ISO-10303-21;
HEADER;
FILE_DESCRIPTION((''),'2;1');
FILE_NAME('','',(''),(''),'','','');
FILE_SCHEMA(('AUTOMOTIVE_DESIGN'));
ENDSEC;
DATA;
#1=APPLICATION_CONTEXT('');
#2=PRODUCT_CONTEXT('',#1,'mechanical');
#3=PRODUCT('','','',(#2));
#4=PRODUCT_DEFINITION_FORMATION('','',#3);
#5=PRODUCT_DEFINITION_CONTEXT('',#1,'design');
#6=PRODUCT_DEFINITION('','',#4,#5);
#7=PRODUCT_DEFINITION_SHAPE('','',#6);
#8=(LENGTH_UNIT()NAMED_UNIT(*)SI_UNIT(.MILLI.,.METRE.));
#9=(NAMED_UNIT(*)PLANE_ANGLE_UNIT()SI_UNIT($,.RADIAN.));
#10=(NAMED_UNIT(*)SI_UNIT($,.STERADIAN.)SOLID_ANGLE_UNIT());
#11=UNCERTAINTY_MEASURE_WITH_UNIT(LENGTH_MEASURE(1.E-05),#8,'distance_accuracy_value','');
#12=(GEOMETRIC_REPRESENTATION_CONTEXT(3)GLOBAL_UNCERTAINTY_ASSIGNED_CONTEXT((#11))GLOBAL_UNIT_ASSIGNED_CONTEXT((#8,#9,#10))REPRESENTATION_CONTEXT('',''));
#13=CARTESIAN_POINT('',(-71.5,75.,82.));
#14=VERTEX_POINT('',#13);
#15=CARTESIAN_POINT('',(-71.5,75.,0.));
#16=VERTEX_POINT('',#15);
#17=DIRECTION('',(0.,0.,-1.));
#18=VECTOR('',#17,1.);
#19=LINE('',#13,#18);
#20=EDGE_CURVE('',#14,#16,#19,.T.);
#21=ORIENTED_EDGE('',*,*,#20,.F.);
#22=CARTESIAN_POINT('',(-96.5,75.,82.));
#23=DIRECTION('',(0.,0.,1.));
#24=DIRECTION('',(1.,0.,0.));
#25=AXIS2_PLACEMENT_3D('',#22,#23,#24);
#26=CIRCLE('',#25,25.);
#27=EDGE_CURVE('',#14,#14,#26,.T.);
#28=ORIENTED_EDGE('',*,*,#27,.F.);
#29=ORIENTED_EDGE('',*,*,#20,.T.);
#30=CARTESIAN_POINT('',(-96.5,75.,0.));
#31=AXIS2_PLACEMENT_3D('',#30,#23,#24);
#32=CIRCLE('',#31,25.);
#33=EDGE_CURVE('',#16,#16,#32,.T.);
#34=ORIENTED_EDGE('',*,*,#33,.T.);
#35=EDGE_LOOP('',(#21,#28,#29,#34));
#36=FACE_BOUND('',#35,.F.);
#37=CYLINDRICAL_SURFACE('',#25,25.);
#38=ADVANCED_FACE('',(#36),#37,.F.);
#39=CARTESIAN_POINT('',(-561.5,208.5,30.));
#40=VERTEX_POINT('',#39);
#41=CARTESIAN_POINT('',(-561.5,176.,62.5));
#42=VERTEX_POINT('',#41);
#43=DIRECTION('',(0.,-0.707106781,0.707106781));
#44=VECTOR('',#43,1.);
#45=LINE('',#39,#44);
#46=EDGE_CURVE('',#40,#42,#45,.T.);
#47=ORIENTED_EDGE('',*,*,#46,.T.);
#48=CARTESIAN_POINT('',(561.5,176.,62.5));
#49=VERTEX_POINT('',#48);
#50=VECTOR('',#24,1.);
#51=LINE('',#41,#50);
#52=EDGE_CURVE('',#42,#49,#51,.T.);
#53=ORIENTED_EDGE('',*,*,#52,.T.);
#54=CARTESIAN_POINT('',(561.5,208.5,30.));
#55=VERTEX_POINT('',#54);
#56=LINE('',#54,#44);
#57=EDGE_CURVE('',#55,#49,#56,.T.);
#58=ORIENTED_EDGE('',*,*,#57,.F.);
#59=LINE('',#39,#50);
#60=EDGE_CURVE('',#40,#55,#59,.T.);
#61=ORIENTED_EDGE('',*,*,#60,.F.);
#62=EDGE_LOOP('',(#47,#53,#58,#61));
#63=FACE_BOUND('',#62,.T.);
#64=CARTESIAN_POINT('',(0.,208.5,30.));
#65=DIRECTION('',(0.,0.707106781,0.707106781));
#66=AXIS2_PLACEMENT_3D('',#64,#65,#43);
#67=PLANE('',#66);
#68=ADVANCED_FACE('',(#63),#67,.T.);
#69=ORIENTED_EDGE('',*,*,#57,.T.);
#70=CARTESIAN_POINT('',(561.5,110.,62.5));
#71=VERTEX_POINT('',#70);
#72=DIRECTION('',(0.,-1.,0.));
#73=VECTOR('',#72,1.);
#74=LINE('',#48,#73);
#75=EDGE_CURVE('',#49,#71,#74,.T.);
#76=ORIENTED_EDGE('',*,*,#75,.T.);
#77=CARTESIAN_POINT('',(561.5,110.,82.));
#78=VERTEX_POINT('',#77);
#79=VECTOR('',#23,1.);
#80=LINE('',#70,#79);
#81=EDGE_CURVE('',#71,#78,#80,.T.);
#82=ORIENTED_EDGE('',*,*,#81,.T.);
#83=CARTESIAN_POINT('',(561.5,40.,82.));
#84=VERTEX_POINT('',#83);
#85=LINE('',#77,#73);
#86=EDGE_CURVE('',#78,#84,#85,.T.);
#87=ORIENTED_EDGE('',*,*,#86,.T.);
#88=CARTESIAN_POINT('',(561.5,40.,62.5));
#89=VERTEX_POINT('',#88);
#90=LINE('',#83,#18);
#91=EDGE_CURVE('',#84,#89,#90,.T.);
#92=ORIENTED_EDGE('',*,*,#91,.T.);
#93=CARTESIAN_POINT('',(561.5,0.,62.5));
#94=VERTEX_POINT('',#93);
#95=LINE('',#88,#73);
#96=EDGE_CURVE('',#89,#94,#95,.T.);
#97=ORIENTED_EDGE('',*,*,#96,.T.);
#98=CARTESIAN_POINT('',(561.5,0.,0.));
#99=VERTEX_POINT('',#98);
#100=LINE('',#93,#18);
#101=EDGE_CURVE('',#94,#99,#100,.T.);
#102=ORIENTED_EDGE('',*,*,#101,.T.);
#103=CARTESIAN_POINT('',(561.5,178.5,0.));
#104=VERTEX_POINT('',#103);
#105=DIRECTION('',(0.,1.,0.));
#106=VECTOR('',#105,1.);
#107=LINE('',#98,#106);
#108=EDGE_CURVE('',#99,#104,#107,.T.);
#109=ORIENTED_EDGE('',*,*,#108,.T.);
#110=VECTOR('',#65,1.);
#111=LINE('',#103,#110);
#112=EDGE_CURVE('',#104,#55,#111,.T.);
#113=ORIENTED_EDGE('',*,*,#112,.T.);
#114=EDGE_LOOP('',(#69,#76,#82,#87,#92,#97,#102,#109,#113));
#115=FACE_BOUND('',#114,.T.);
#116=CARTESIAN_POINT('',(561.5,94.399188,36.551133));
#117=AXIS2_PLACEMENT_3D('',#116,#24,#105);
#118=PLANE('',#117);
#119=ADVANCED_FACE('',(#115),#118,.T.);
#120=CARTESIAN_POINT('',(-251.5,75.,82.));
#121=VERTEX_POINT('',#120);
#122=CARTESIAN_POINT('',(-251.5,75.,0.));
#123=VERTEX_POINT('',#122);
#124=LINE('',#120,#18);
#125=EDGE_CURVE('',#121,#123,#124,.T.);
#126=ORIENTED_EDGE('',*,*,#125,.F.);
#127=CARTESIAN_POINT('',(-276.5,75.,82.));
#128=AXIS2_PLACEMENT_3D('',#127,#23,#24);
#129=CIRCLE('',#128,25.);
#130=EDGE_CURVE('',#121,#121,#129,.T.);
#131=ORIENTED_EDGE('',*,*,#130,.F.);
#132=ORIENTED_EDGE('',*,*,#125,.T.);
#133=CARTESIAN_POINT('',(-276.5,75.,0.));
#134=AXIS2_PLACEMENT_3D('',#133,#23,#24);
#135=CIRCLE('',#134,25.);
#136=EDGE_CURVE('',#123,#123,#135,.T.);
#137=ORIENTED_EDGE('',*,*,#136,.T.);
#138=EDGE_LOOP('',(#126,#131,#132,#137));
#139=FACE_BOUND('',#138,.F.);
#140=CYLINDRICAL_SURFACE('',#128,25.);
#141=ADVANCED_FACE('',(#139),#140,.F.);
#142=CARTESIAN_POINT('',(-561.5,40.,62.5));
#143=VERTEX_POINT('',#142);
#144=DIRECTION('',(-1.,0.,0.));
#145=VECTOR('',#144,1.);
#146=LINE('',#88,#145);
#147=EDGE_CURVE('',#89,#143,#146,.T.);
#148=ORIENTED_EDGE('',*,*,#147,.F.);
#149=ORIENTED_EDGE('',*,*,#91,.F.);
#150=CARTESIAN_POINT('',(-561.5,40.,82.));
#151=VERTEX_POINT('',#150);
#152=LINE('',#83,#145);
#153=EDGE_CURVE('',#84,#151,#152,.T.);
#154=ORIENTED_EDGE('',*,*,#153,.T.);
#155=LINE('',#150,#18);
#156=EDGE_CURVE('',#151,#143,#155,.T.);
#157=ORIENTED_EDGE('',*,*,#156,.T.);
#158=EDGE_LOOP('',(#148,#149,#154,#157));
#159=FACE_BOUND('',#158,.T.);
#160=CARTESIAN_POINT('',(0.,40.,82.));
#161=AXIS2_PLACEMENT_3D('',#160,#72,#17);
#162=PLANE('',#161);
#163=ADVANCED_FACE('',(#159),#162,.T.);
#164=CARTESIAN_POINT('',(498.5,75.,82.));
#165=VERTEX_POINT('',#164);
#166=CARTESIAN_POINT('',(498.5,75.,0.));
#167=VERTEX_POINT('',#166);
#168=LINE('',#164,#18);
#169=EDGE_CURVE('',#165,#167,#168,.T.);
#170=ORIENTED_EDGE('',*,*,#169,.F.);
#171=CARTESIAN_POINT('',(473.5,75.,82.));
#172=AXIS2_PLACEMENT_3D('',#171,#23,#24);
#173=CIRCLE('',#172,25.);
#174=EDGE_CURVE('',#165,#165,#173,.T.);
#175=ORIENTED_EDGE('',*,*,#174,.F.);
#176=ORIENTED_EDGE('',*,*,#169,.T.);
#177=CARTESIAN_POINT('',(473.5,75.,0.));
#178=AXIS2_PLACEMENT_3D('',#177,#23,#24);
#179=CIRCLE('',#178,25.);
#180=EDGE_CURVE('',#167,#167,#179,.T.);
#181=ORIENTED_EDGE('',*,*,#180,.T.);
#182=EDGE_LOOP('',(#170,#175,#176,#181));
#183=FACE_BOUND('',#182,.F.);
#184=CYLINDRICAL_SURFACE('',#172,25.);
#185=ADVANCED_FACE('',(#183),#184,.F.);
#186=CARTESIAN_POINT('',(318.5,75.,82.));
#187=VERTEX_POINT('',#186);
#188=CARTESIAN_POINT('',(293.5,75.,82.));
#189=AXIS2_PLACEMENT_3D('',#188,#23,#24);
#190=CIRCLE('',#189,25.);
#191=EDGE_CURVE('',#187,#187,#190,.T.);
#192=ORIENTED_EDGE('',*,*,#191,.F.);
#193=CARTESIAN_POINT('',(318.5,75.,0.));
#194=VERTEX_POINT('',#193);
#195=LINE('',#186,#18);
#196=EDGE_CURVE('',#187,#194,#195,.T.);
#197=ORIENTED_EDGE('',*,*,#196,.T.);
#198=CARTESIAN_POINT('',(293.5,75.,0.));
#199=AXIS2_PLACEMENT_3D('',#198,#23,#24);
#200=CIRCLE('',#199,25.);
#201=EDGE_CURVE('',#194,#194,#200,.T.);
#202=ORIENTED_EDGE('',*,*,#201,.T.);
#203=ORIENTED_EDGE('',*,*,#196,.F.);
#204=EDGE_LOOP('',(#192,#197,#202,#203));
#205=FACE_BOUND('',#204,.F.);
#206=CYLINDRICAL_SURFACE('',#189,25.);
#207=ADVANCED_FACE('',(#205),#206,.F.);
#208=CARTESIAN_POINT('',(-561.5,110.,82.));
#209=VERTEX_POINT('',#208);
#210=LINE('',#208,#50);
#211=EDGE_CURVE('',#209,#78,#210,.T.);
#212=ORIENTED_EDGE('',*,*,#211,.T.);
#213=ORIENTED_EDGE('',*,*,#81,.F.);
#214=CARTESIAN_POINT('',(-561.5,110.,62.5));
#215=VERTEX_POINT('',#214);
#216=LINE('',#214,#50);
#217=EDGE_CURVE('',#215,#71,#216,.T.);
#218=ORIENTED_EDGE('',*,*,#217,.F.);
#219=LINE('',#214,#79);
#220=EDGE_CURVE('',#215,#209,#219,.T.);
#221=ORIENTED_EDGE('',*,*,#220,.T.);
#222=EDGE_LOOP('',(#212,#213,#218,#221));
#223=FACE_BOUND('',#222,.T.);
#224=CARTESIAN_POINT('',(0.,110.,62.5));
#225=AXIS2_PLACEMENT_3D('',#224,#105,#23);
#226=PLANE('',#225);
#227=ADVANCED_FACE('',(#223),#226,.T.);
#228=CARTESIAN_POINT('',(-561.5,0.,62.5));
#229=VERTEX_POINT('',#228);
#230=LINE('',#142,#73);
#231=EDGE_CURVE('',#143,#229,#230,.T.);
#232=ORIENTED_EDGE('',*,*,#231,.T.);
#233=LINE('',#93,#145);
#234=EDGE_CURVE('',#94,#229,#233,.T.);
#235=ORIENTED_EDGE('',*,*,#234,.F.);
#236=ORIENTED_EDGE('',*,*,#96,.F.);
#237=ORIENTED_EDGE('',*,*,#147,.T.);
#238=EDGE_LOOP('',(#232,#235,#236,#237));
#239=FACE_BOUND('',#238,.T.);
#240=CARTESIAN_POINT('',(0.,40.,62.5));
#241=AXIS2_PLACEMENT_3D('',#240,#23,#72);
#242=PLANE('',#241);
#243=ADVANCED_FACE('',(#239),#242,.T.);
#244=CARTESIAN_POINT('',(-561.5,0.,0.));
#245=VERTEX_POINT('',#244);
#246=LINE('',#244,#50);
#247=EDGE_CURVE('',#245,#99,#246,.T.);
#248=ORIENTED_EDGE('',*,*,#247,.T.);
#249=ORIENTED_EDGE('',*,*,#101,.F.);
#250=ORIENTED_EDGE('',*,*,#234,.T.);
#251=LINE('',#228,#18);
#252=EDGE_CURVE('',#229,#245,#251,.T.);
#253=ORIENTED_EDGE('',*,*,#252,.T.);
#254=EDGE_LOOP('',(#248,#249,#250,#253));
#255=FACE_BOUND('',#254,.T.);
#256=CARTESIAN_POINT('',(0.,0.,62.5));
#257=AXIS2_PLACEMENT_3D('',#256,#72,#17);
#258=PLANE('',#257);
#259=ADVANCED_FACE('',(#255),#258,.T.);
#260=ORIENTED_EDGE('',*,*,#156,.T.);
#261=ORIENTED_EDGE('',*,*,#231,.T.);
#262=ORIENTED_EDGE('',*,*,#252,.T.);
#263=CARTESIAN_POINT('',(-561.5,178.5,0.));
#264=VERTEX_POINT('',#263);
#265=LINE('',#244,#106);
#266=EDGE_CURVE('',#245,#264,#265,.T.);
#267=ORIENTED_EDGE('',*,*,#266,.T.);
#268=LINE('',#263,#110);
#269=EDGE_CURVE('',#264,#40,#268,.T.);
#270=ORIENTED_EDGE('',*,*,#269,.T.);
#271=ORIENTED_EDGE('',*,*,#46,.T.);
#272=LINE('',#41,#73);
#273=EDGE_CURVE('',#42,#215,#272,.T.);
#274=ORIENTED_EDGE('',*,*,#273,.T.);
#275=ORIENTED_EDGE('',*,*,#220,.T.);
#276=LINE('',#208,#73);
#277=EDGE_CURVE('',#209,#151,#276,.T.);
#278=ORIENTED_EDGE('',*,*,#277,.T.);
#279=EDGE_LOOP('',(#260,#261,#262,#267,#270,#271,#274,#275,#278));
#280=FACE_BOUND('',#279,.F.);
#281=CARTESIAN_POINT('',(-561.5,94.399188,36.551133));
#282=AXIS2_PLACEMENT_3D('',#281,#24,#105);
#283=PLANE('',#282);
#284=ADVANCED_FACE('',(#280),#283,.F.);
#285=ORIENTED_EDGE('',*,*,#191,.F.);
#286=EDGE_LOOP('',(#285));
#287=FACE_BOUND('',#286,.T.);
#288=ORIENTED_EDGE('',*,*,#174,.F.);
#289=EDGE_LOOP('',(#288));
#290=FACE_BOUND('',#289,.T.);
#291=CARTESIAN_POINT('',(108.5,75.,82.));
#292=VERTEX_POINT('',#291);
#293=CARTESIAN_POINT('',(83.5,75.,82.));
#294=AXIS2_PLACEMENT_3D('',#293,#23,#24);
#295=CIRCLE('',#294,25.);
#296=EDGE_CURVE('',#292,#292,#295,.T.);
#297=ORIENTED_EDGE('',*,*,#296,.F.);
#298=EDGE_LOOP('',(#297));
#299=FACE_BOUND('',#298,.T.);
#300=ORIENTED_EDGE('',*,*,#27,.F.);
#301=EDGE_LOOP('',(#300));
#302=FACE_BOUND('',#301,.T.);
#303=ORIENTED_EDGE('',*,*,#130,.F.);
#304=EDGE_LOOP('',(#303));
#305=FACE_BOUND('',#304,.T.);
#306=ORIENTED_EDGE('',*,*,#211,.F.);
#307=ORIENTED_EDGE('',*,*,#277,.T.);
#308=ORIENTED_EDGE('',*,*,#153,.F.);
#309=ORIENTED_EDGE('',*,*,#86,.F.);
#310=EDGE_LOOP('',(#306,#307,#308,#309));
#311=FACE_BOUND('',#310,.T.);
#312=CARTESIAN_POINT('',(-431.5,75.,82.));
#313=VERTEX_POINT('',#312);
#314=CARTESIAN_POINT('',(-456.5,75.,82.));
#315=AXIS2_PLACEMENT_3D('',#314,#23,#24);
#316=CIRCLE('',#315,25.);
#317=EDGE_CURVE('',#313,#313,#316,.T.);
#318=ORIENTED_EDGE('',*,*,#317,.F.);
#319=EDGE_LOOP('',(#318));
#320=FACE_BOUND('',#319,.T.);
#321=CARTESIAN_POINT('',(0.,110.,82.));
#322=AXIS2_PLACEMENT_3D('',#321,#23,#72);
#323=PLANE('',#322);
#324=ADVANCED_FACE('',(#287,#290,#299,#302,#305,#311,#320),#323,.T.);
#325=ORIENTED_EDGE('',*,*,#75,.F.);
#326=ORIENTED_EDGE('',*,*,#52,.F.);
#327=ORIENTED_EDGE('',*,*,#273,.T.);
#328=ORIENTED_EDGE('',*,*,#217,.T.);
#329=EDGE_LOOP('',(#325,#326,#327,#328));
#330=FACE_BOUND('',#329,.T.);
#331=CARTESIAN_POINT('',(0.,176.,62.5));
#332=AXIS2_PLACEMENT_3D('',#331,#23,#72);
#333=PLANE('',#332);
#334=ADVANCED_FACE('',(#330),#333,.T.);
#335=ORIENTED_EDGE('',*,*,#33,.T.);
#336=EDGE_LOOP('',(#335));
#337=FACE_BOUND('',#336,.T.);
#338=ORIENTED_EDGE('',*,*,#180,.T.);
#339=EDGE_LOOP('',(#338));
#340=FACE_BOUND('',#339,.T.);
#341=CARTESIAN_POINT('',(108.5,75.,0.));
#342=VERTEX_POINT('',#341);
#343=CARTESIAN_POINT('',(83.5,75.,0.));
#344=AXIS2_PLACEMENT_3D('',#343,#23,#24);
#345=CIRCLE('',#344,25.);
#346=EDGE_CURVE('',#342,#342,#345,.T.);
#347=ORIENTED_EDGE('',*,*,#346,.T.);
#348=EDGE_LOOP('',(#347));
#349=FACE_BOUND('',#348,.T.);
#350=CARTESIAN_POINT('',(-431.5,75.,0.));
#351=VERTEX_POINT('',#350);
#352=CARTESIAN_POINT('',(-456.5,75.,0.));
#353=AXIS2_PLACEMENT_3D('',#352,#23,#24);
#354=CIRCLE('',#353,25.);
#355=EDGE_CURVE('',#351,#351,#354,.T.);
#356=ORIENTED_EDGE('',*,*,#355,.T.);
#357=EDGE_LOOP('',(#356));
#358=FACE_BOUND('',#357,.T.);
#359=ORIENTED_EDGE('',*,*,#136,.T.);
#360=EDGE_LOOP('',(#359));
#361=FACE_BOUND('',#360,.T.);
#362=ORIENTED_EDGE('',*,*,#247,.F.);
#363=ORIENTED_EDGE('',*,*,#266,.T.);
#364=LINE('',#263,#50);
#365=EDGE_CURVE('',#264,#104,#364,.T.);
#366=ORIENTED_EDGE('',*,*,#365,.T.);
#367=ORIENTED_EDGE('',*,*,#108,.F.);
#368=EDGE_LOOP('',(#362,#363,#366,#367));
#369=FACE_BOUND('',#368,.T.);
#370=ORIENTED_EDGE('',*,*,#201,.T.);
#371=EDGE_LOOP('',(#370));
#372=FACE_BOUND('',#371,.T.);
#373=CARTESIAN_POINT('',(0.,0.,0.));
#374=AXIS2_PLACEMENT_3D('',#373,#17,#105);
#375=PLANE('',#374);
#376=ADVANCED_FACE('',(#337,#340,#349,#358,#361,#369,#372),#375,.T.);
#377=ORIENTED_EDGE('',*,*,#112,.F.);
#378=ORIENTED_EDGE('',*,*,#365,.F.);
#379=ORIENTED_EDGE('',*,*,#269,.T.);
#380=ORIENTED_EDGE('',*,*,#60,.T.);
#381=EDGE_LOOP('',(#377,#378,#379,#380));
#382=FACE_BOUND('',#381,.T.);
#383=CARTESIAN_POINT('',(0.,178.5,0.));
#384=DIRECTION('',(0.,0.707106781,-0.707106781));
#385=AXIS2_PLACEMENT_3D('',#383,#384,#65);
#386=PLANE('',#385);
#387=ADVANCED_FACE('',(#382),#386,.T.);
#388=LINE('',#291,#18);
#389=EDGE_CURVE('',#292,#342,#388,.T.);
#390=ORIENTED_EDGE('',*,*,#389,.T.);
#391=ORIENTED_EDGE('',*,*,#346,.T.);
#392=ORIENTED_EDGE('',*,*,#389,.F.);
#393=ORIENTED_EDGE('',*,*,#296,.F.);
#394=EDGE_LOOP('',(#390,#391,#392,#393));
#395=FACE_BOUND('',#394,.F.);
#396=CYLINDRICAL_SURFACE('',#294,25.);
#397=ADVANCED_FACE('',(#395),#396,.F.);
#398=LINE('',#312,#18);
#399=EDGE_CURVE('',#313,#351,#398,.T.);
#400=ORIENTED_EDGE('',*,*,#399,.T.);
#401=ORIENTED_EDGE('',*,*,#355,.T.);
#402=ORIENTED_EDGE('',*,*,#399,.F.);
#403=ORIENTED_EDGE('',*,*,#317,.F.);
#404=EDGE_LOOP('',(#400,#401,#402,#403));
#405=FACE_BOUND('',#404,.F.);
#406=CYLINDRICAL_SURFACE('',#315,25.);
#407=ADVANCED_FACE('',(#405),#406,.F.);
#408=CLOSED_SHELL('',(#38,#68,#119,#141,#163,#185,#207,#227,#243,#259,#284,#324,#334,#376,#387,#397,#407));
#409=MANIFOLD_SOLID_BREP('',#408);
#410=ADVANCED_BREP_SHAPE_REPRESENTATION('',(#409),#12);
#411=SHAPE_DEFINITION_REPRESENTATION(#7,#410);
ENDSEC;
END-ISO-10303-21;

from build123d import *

# Parameters (mm, degrees)
F1_DEPTH = 561.5
F2_R     = 25
F3_DEPTH = 82.001


with BuildPart() as f1:
    # F0 (on Right) → F1 (new body, symmetric)
    with BuildSketch(Plane.YZ):
        Polygon((0, 62.5), (0, 0), (178.5, 0), (208.5, 30), (176, 62.5), (110, 62.5), (110, 82), (40, 82), (40, 62.5), align=None)
    extrude(amount=F1_DEPTH, both=True)

    # F2 (on face) → F3 (cut, through all)
    with BuildSketch(Plane.XY.offset(82)):
        with Locations((473.5, 75)):
            Circle(F2_R)
        with Locations((293.5, 75)):
            Circle(F2_R)
        with Locations((83.5, 75)):
            Circle(F2_R)
        with Locations((-96.5, 75)):
            Circle(F2_R)
        with Locations((-276.5, 75)):
            Circle(F2_R)
        with Locations((-456.5, 75)):
            Circle(F2_R)
    extrude(amount=-F3_DEPTH, mode=Mode.SUBTRACT)


solid = f1.part
